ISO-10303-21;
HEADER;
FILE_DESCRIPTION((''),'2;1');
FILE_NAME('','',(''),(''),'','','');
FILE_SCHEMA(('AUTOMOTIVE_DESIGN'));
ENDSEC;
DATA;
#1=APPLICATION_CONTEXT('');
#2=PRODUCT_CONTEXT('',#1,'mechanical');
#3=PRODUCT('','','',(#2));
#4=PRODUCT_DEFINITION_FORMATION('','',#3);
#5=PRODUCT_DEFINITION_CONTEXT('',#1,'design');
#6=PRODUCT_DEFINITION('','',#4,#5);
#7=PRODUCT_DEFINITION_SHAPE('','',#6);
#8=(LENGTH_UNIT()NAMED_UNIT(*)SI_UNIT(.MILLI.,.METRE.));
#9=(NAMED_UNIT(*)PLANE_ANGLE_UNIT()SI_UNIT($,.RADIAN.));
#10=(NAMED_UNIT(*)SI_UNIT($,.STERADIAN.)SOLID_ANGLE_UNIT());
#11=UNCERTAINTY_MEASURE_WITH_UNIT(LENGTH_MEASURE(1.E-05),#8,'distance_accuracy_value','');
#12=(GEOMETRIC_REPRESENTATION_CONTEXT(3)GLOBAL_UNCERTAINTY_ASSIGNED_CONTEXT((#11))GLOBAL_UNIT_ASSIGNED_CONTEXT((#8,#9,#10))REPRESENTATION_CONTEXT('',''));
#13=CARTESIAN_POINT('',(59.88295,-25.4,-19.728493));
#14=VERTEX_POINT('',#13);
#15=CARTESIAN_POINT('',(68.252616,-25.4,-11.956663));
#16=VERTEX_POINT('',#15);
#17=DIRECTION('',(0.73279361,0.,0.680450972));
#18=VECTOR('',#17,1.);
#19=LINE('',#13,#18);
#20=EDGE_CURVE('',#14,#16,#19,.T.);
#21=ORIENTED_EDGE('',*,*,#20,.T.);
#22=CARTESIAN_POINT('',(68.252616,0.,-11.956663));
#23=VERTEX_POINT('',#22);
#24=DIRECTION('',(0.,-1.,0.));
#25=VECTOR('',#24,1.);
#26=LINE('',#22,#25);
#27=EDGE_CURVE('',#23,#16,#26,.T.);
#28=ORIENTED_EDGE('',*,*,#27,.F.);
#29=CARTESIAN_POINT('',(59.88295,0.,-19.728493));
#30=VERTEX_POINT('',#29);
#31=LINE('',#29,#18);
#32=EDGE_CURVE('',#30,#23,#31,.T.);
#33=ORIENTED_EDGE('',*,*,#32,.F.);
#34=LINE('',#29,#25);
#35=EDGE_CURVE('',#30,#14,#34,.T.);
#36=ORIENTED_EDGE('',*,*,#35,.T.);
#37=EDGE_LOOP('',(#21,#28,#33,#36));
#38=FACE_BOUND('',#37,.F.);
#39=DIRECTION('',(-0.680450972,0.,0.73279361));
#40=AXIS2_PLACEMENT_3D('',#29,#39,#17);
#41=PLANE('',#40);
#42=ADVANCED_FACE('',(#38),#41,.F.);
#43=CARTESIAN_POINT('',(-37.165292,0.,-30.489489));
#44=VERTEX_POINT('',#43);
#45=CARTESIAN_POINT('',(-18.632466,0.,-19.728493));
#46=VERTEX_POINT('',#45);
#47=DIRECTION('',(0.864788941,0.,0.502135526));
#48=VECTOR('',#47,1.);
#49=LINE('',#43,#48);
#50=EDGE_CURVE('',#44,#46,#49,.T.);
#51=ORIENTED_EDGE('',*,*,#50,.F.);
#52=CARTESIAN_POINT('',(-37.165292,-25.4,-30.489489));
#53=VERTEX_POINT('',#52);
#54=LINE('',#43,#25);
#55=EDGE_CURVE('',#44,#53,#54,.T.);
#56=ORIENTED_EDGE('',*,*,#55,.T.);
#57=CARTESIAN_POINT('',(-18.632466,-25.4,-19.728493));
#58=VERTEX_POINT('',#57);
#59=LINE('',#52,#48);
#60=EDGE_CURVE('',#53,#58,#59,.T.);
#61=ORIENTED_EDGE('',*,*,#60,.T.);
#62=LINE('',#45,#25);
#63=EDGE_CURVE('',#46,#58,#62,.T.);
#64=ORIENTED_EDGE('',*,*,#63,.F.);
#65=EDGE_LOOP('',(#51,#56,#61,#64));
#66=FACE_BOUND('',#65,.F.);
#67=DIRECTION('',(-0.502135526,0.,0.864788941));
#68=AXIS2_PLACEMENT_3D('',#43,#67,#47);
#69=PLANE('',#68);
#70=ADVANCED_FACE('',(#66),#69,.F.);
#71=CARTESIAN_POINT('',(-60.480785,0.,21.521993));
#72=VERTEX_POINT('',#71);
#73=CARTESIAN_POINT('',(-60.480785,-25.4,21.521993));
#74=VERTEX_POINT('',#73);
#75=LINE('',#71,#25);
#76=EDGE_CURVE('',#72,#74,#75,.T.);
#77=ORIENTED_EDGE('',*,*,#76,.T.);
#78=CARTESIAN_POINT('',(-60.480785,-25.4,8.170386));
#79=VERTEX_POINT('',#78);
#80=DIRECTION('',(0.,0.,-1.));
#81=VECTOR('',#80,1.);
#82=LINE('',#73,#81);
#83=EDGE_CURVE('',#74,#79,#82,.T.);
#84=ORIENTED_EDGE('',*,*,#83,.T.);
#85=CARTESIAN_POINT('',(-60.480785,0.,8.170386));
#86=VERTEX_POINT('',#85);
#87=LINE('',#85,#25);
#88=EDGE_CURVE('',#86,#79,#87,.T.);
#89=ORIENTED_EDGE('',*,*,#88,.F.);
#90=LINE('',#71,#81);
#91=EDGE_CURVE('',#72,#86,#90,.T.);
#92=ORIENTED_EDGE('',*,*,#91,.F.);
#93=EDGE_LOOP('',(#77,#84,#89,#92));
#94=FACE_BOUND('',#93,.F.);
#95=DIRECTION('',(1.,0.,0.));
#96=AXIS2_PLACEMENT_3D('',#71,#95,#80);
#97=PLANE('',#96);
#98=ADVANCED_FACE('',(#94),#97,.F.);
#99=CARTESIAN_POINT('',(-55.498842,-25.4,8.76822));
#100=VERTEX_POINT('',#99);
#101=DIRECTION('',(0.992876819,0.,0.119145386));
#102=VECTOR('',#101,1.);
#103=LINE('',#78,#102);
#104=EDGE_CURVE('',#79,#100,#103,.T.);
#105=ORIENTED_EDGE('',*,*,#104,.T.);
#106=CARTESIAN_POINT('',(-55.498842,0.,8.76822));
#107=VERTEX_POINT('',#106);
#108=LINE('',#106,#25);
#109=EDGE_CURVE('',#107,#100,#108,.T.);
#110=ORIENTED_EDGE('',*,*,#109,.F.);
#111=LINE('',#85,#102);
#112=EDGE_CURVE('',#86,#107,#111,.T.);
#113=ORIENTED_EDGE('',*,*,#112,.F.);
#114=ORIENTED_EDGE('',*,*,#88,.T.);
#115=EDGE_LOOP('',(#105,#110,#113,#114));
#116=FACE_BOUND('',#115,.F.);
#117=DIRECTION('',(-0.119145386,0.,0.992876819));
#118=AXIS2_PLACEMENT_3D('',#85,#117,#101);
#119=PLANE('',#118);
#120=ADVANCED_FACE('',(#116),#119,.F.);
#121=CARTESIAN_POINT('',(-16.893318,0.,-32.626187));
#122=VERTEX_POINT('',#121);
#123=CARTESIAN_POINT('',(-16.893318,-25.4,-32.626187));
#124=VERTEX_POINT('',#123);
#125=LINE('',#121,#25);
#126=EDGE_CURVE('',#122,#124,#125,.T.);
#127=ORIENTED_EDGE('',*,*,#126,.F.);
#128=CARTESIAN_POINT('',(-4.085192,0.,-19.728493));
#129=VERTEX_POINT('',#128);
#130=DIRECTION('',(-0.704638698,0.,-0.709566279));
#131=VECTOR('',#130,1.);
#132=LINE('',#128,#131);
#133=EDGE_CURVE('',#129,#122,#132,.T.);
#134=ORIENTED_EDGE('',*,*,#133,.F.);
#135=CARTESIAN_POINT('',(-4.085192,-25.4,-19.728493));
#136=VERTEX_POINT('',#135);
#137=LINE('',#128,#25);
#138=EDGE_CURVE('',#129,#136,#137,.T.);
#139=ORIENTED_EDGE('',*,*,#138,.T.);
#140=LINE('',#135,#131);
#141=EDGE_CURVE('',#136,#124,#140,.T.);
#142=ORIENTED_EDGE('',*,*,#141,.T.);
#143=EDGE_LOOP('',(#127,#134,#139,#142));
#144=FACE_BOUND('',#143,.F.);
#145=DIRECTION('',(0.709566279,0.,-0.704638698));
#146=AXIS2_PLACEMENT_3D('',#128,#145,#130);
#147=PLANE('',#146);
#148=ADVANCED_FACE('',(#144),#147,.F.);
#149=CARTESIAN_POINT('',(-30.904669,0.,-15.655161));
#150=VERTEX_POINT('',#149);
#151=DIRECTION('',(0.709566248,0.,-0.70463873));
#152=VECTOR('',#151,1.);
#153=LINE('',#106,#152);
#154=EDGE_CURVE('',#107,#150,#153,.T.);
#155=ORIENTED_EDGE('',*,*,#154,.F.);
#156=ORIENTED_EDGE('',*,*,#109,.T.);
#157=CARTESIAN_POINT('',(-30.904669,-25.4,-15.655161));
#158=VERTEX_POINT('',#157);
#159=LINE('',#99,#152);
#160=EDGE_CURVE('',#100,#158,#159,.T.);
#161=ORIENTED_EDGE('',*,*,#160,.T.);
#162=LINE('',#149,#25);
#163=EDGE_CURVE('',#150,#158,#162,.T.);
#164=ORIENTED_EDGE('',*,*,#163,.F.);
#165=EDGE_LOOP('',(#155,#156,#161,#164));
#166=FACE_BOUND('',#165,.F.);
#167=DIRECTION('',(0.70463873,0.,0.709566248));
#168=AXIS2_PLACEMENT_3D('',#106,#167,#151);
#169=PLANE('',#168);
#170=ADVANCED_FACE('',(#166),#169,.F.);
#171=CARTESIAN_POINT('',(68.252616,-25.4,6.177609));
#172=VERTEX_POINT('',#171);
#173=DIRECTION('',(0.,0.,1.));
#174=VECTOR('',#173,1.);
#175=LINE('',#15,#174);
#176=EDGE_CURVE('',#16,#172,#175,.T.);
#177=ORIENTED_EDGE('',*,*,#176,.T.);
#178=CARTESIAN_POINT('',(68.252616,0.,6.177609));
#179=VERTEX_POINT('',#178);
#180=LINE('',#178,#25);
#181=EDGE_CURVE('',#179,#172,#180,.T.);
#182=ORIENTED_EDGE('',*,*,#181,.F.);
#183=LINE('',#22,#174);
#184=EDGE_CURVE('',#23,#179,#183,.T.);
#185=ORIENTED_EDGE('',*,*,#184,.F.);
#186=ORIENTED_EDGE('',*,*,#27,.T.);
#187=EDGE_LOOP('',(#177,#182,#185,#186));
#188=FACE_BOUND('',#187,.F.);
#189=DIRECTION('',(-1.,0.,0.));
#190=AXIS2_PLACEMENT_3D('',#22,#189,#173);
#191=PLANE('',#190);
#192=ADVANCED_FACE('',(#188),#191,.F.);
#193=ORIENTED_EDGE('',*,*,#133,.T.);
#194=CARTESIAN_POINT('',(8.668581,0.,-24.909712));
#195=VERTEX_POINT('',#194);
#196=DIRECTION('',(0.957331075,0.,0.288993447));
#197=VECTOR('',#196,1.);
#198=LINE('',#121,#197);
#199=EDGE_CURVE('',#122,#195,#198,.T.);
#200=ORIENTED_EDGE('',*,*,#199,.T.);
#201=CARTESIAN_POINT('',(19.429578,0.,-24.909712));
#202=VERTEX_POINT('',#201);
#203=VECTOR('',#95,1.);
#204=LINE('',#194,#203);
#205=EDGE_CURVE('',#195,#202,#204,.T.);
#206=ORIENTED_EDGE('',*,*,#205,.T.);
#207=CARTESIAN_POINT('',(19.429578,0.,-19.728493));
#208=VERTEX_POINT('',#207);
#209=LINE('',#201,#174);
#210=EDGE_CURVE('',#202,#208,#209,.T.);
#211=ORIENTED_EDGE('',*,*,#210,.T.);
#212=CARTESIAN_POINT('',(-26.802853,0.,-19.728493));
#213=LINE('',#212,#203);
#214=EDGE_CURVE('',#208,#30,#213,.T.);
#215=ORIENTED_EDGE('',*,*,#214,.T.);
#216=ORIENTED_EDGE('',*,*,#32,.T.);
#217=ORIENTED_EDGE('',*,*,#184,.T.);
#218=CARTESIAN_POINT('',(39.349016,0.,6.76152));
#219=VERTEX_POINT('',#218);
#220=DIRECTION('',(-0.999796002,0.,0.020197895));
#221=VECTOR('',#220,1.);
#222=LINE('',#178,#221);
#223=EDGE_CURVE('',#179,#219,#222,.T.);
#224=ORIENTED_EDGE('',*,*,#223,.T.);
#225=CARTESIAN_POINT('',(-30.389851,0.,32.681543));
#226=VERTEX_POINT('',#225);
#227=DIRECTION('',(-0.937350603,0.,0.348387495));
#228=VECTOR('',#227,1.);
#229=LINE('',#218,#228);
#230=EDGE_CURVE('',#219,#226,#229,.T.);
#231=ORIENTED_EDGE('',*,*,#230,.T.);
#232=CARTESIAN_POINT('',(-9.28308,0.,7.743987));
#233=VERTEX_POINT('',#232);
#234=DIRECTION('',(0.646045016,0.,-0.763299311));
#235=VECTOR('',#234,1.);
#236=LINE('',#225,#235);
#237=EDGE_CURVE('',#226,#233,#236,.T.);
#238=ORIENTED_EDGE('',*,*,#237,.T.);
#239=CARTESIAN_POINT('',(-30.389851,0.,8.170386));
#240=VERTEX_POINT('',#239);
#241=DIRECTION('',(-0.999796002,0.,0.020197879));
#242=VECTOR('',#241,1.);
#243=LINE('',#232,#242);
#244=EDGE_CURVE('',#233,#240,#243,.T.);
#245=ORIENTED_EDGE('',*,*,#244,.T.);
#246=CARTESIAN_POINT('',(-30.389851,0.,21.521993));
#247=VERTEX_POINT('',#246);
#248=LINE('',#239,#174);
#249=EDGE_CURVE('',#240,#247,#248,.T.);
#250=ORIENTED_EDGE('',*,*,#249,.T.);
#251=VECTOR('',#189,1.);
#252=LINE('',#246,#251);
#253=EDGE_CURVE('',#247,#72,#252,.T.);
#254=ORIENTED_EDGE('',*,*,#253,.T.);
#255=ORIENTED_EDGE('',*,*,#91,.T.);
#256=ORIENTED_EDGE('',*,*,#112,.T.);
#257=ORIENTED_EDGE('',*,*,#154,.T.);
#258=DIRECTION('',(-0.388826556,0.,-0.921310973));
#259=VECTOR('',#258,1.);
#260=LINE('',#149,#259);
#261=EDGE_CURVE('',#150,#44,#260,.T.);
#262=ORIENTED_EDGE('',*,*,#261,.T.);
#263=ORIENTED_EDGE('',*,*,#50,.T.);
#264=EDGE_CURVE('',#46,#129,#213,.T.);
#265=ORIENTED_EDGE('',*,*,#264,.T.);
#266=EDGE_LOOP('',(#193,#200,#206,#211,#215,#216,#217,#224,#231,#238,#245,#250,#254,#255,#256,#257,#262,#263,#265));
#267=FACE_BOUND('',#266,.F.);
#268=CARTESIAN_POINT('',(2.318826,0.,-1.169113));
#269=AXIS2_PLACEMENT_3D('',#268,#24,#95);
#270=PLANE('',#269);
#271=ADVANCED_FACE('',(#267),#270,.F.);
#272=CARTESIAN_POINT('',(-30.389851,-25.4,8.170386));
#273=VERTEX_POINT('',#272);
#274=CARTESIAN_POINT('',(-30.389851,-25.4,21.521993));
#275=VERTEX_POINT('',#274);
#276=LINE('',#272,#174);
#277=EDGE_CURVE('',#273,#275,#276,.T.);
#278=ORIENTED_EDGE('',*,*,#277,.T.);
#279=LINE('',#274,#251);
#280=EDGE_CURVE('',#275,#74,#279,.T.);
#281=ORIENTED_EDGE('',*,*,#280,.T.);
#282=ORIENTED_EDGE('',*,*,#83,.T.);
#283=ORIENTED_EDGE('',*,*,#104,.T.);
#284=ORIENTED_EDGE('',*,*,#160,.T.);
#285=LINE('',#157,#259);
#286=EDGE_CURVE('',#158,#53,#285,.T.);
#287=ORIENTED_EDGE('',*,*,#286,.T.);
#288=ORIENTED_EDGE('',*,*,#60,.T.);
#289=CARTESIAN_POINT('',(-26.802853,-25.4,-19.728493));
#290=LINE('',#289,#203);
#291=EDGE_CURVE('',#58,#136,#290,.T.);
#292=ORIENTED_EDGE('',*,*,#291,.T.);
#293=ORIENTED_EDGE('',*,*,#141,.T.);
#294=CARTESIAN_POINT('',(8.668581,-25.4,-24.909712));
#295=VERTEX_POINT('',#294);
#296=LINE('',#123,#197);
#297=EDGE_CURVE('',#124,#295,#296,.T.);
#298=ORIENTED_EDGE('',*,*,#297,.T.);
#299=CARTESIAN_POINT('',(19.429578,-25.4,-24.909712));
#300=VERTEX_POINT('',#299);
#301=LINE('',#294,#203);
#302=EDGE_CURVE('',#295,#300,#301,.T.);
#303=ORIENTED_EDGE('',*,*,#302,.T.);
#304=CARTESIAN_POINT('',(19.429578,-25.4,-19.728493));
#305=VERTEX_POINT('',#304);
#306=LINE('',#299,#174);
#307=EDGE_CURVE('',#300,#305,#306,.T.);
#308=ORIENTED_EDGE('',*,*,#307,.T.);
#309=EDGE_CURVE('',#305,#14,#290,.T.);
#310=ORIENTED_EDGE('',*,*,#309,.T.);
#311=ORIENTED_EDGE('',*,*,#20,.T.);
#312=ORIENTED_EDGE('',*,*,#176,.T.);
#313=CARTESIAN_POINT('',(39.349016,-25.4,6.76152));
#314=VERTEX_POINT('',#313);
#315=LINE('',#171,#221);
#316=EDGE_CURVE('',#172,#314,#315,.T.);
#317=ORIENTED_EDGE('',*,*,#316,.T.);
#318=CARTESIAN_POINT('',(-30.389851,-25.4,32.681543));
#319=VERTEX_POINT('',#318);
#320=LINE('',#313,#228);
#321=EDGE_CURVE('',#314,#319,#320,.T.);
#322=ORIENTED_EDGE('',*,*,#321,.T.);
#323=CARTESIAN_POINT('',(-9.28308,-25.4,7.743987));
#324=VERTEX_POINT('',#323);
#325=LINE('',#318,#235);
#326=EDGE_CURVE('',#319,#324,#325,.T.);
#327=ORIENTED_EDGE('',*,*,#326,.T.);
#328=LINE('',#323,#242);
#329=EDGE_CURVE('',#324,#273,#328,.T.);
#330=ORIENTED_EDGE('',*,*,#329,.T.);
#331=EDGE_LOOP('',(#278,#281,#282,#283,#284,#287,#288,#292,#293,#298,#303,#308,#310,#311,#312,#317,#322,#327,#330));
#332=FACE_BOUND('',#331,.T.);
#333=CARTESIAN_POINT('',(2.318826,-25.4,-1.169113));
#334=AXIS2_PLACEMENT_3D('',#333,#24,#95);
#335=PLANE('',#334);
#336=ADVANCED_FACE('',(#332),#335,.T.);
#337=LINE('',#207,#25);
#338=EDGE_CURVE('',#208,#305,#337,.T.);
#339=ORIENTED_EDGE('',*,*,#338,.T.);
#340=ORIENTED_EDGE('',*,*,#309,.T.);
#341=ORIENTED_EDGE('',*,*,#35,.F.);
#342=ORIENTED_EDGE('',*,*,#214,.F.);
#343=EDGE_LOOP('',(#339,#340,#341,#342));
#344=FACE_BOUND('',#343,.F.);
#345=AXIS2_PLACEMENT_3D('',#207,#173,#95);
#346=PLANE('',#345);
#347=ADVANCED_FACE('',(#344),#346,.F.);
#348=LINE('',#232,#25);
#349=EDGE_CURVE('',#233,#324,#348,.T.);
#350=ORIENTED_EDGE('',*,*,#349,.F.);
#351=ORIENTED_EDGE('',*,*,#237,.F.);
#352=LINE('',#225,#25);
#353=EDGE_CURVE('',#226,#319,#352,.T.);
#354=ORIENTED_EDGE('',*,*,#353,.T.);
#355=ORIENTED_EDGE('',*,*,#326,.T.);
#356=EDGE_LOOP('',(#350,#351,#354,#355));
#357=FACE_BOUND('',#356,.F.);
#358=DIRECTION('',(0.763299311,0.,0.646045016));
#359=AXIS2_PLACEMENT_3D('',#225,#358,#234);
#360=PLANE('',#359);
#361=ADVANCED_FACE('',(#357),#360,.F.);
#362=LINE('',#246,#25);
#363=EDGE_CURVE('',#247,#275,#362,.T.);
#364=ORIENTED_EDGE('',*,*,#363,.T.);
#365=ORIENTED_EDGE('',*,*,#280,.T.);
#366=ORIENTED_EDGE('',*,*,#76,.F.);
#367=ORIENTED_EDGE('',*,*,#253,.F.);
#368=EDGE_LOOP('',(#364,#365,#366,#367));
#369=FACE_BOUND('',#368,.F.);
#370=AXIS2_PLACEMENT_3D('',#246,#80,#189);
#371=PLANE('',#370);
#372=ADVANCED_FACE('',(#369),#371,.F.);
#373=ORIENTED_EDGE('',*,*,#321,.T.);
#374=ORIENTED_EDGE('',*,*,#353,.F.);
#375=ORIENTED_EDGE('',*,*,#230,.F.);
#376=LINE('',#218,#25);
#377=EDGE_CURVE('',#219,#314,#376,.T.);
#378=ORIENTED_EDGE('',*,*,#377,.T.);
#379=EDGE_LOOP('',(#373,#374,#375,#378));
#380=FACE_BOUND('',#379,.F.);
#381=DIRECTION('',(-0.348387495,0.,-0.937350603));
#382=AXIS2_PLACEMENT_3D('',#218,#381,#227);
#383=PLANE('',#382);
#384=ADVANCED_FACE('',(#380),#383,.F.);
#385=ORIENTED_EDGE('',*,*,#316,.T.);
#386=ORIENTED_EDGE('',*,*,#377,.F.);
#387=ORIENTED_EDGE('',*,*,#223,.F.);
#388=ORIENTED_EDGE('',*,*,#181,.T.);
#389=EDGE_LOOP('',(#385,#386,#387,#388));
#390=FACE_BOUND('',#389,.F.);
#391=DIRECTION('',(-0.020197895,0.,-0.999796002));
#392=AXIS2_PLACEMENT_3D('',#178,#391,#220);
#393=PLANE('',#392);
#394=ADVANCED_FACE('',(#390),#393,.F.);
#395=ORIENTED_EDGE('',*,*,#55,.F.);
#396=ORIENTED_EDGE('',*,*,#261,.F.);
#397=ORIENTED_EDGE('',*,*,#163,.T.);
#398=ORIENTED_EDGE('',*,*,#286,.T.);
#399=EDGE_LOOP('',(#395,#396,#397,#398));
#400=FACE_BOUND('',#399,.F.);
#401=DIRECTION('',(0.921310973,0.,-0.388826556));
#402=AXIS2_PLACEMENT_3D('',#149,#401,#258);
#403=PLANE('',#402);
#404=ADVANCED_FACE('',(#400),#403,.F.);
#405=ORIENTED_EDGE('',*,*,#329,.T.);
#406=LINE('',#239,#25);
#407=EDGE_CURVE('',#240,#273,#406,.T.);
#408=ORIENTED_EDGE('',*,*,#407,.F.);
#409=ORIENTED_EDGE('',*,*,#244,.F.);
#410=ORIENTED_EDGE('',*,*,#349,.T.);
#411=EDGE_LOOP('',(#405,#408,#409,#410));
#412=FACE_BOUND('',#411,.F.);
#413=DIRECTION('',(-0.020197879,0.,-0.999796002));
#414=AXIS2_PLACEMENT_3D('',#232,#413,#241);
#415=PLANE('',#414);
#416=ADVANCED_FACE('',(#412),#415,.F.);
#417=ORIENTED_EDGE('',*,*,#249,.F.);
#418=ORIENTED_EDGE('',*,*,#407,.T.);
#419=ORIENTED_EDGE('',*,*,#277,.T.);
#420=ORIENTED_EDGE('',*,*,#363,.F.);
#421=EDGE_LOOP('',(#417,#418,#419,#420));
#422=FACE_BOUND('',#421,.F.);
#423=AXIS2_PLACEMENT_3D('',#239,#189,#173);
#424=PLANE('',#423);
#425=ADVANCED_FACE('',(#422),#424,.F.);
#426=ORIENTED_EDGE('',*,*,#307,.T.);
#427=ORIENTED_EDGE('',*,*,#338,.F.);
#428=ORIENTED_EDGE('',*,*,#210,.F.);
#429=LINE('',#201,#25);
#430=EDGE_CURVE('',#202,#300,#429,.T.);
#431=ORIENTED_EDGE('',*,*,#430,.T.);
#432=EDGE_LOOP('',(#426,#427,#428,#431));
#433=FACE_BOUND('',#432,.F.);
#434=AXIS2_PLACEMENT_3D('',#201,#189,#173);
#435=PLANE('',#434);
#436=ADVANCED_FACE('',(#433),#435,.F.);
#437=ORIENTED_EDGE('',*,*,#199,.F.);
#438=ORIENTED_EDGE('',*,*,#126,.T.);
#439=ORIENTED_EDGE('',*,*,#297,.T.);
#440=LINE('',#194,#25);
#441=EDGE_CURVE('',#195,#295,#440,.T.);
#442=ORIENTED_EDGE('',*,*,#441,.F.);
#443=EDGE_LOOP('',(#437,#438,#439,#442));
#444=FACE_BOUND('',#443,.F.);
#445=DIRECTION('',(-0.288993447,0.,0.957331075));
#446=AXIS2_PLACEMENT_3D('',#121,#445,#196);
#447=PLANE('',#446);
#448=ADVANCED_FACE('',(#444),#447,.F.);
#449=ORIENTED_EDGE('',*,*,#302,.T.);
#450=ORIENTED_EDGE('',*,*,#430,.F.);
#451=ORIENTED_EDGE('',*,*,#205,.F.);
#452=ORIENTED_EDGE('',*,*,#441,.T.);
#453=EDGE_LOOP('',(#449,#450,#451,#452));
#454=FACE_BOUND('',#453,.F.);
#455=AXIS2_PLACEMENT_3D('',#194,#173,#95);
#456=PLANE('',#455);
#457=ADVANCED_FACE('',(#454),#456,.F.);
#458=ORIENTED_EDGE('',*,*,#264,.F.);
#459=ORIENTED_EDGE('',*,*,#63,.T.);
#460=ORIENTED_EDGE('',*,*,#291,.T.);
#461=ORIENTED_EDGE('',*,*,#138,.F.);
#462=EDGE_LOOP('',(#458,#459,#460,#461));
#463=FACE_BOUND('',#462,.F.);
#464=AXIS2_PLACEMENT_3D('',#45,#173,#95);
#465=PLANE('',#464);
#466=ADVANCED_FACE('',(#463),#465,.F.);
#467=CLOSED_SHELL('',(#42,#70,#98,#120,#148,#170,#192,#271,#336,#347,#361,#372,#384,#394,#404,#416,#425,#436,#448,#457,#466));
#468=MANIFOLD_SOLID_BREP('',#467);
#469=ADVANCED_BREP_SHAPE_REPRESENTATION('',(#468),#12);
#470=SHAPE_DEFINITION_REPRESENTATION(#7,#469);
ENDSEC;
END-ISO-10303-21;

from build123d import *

# Parameters (mm, degrees)
F1_DEPTH = 25.4


with BuildPart() as f1:
    # F0 (on Front) → F1 (new body)
    with BuildSketch(Plane.XZ):
        Polygon((-60.480785, 8.170386), (-55.498842, 8.76822), (-30.904669, -15.655161), (-26.802853, -19.728493), (-18.632466, -19.728493), (-4.085192, -19.728493), (19.429578, -19.728493), (59.88295, -19.728493), (68.252616, -11.956663), (68.252616, 6.177609), (39.349016, 6.76152), (-9.28308, 7.743987), (-30.389851, 8.170386), (-30.389851, 21.521993), (-60.480785, 21.521993), align=None)
        Polygon((-30.389851, 32.681543), (-9.28308, 7.743987), (39.349016, 6.76152), align=None)
        Polygon((19.429578, -19.728493), (-4.085192, -19.728493), (-16.893318, -32.626187), (8.668581, -24.909712), (19.429578, -24.909712), align=None)
        Polygon((-26.802853, -19.728493), (-30.904669, -15.655161), (-37.165292, -30.489489), (-18.632466, -19.728493), align=None)
    extrude(amount=F1_DEPTH)


solid = f1.part
